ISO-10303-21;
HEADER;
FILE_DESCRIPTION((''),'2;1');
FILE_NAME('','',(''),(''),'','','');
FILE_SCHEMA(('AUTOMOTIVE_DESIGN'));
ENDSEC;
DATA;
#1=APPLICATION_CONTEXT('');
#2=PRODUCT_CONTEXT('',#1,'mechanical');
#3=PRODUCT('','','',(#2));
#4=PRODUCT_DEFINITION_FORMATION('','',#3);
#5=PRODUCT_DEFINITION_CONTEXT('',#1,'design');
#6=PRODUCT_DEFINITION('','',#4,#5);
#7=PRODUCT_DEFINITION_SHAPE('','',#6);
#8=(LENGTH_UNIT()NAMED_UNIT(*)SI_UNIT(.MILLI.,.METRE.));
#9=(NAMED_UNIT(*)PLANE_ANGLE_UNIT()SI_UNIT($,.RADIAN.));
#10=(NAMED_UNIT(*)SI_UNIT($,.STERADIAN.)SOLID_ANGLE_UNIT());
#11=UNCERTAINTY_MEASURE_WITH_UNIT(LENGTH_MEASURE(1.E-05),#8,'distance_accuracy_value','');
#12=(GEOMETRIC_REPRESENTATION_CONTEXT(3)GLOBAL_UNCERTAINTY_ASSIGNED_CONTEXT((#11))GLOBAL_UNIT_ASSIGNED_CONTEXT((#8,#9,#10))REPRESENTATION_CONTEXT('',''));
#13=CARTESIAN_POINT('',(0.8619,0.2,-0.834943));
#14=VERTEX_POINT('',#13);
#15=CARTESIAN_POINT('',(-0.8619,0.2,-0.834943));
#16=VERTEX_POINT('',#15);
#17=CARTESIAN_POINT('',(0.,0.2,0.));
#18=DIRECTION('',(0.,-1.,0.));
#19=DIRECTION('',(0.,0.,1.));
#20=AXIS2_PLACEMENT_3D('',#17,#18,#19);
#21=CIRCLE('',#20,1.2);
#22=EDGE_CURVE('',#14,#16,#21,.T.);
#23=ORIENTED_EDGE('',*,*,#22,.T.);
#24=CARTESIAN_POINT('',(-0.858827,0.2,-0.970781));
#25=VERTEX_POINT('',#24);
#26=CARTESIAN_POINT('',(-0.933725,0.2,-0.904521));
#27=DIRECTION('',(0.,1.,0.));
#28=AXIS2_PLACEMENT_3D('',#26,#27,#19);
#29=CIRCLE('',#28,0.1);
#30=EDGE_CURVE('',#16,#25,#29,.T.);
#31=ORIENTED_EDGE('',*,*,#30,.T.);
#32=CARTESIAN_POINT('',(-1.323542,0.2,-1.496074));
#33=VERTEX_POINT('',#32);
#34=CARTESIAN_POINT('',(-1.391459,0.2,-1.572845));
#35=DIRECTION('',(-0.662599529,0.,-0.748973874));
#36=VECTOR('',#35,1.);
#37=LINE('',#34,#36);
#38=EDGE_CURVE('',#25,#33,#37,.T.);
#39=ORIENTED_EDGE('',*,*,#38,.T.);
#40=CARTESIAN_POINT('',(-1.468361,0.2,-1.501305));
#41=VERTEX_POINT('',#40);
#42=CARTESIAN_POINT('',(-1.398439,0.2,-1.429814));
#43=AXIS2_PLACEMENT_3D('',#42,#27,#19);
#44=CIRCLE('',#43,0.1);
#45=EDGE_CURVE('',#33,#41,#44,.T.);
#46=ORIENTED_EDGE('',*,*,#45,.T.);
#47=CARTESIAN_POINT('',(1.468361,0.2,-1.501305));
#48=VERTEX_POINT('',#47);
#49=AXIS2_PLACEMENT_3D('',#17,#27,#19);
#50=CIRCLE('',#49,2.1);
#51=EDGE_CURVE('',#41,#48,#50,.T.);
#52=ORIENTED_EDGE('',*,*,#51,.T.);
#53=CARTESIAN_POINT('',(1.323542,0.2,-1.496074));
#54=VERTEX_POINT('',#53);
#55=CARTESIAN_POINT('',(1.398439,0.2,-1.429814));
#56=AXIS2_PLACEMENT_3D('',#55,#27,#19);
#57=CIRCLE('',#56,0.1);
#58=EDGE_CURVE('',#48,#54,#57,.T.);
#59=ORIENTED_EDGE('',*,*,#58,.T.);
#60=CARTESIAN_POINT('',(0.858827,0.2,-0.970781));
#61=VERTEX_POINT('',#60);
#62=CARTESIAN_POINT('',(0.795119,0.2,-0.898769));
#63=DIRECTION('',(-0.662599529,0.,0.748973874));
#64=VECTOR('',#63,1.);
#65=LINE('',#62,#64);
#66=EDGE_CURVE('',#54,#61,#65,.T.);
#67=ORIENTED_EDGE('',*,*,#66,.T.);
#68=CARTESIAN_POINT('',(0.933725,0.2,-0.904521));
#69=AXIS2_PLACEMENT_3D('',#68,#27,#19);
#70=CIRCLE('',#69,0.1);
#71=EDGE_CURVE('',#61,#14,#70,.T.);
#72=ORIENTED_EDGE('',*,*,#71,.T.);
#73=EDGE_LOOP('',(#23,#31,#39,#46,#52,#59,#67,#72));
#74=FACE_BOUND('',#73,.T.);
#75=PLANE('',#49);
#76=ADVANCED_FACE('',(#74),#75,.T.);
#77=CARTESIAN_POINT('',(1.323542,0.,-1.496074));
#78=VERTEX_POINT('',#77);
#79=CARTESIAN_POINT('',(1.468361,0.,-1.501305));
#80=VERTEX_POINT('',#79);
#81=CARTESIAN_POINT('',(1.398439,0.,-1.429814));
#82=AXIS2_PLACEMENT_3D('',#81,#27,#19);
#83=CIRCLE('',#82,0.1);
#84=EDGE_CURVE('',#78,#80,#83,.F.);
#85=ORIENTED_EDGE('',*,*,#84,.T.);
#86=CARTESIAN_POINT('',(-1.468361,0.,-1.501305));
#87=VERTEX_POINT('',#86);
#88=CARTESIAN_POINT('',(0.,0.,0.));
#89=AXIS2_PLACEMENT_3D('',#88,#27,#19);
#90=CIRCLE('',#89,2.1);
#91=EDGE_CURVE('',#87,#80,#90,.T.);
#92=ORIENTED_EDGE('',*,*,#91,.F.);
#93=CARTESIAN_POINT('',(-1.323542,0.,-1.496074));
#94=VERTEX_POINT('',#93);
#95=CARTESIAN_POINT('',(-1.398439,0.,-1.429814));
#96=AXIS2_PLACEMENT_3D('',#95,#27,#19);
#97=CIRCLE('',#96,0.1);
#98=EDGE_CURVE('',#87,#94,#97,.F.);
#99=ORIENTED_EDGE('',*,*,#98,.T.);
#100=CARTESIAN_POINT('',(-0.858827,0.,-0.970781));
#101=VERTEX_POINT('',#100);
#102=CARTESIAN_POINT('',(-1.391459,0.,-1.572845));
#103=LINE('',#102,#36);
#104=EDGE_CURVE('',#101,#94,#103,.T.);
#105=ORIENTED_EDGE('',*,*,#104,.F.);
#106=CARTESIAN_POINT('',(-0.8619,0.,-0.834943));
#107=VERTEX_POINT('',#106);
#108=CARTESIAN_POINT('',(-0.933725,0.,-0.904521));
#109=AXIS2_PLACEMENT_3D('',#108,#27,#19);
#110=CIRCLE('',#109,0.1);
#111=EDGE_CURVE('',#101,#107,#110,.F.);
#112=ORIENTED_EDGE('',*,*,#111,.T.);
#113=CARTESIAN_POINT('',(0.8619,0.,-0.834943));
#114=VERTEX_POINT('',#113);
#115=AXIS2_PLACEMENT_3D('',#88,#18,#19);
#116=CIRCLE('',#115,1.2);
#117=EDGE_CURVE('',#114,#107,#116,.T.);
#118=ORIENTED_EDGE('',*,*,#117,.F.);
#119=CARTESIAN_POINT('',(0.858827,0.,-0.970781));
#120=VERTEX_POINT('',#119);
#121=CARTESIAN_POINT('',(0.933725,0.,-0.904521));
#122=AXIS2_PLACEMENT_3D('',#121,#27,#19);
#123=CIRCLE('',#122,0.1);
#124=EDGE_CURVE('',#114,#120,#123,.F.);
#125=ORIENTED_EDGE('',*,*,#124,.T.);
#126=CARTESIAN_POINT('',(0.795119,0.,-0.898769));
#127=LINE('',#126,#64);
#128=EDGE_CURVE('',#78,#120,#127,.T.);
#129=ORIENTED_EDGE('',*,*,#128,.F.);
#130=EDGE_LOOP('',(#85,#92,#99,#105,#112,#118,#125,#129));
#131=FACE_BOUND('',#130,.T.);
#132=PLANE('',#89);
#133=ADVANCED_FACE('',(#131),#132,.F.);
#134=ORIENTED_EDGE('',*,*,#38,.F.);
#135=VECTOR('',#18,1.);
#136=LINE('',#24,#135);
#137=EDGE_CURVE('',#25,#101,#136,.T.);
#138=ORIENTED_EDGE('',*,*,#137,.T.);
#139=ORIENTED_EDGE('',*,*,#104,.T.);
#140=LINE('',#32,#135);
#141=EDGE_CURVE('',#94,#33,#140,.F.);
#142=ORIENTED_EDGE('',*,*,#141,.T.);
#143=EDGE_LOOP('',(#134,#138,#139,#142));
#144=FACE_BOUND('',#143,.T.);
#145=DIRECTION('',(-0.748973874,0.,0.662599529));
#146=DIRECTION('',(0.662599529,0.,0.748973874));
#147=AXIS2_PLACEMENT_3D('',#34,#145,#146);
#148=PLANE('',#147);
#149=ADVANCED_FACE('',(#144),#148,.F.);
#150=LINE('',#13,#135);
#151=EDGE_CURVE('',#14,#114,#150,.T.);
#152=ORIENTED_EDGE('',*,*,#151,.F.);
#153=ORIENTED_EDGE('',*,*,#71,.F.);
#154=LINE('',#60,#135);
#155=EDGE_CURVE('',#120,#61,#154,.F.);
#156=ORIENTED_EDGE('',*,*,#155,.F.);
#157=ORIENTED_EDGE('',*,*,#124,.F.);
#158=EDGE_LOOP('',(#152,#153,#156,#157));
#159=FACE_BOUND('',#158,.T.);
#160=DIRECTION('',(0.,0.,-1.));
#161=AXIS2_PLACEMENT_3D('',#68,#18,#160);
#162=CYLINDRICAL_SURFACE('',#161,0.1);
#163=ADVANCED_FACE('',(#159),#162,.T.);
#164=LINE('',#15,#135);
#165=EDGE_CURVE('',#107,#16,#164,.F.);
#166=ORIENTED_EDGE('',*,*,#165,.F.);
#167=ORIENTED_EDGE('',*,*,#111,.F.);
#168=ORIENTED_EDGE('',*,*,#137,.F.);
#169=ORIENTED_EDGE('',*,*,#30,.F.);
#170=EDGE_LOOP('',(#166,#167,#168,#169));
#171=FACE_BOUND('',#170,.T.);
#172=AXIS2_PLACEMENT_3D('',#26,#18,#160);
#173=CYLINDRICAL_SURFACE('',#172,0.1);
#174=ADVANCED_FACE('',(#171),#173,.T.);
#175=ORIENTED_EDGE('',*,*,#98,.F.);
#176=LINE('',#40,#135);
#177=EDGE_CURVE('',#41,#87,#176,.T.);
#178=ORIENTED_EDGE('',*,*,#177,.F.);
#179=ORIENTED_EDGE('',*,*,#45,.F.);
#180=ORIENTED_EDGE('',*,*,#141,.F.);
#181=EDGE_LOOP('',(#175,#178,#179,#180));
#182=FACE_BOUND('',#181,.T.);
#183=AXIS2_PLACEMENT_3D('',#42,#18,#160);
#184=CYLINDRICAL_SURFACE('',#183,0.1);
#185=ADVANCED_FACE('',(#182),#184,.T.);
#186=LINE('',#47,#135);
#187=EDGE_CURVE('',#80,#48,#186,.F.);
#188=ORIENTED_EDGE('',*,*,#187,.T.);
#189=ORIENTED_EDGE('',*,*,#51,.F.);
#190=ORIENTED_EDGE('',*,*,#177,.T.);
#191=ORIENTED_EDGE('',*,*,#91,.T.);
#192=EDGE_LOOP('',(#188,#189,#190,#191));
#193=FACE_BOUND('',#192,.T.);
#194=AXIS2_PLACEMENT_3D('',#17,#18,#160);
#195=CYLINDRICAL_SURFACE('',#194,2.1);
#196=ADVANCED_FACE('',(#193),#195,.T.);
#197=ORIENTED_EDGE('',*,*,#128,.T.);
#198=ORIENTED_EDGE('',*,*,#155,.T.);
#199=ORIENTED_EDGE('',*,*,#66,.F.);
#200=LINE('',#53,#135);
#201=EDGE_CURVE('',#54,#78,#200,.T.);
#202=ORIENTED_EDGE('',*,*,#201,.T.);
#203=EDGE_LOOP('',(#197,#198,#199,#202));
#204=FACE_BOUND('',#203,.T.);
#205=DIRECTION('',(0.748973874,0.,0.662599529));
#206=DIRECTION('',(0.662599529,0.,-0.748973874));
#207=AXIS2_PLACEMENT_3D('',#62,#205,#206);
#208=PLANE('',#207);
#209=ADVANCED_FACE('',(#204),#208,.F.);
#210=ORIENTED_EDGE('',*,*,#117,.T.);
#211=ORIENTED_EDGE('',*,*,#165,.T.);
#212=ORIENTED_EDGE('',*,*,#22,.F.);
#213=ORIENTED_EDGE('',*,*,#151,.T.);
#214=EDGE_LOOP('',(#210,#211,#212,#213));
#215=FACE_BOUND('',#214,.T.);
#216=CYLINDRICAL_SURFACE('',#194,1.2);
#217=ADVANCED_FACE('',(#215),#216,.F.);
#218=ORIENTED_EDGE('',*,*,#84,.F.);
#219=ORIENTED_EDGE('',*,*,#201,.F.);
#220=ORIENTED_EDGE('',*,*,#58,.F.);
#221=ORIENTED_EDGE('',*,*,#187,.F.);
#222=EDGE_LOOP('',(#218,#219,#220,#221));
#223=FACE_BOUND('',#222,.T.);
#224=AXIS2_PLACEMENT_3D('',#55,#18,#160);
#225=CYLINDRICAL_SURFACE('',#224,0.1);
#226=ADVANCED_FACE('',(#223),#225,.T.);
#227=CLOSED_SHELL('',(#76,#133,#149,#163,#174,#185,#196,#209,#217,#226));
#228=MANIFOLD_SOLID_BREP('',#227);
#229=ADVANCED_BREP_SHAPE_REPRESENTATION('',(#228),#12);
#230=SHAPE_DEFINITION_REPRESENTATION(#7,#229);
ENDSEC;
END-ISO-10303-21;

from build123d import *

# Parameters (mm, degrees)
BOSS_EXTRUDE1_DEPTH = 0.2
FILLET1_R           = 0.1


with BuildPart() as part:
    # Sketch1 → Boss-Extrude1 (new body)
    with BuildSketch(Plane(origin=(0, 0, 0), x_dir=(1, 0, 0), z_dir=(0, 1, 0))):
        with BuildLine():
            Line((-1.391459011, 1.572845135), (-0.795119435, 0.898768649))
            ThreePointArc((-0.795119435, 0.898768649), (0, -1.2), (0.795119435, 0.898768649))
            Line((0.795119435, 0.898768649), (1.391459011, 1.572845135))
            ThreePointArc((1.391459011, 1.572845135), (0, -2.1), (-1.391459011, 1.572845135))
        make_face()
    extrude(amount=BOSS_EXTRUDE1_DEPTH)

    # Fillet1
    fillet1_edges = [part.edges().sort_by_distance(p)[0] for p in [
        (-1.391459011, 0.1, -1.572845135),
        (-0.795119435, 0.1, -0.898768649),
        (0.795119435, 0.1, -0.898768649),
        (1.391459011, 0.1, -1.572845135),
    ]]
    fillet(fillet1_edges, radius=FILLET1_R)


solid = part.part
